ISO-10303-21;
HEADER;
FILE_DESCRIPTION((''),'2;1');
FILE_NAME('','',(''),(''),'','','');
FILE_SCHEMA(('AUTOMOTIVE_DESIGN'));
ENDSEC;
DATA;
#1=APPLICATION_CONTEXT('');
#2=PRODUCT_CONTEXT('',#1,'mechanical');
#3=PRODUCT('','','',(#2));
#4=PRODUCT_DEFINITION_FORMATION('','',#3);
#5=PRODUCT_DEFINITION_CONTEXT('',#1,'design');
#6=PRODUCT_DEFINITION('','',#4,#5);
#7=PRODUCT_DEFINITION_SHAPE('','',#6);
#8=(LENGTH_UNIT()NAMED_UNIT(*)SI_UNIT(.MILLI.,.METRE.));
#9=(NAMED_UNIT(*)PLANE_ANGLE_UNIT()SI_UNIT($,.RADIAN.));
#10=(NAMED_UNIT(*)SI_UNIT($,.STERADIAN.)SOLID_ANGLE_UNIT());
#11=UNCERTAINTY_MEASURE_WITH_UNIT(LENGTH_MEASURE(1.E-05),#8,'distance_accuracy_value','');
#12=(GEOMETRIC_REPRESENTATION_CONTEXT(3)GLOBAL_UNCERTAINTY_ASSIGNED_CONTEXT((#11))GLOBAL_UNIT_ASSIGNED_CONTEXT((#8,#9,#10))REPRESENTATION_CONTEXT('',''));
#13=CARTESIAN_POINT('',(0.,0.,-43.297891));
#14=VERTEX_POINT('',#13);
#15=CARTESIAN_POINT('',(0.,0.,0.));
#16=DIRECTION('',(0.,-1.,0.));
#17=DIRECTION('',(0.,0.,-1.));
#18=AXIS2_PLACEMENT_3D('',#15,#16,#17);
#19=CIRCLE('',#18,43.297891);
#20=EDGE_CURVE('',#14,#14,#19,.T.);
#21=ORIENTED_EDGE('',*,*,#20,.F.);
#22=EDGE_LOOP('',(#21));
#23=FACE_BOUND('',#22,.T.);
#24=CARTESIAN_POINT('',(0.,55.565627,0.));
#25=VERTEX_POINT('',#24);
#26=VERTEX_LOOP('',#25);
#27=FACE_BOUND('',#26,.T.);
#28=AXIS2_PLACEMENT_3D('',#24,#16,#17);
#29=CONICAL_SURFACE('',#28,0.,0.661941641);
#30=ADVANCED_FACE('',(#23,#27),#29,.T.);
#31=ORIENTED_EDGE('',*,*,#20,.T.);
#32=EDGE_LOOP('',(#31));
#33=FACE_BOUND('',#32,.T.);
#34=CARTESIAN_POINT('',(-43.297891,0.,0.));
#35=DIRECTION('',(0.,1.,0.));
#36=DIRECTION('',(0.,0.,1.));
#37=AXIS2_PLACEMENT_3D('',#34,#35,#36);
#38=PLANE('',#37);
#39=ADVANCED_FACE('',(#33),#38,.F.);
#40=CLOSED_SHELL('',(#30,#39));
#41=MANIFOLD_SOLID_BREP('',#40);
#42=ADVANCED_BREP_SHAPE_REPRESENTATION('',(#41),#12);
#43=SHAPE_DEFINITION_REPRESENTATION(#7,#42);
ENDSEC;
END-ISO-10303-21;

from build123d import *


with BuildPart() as part:
    # Sketch1 → Revolve1 (revolve)
    with BuildSketch(Plane.XY):
        Polygon((0, 0), (0, 55.565626678), (-43.297890918, 0), align=None)
    revolve(axis=Axis((0, -16.236709094, 0), (0, 1, 0)))


solid = part.part
